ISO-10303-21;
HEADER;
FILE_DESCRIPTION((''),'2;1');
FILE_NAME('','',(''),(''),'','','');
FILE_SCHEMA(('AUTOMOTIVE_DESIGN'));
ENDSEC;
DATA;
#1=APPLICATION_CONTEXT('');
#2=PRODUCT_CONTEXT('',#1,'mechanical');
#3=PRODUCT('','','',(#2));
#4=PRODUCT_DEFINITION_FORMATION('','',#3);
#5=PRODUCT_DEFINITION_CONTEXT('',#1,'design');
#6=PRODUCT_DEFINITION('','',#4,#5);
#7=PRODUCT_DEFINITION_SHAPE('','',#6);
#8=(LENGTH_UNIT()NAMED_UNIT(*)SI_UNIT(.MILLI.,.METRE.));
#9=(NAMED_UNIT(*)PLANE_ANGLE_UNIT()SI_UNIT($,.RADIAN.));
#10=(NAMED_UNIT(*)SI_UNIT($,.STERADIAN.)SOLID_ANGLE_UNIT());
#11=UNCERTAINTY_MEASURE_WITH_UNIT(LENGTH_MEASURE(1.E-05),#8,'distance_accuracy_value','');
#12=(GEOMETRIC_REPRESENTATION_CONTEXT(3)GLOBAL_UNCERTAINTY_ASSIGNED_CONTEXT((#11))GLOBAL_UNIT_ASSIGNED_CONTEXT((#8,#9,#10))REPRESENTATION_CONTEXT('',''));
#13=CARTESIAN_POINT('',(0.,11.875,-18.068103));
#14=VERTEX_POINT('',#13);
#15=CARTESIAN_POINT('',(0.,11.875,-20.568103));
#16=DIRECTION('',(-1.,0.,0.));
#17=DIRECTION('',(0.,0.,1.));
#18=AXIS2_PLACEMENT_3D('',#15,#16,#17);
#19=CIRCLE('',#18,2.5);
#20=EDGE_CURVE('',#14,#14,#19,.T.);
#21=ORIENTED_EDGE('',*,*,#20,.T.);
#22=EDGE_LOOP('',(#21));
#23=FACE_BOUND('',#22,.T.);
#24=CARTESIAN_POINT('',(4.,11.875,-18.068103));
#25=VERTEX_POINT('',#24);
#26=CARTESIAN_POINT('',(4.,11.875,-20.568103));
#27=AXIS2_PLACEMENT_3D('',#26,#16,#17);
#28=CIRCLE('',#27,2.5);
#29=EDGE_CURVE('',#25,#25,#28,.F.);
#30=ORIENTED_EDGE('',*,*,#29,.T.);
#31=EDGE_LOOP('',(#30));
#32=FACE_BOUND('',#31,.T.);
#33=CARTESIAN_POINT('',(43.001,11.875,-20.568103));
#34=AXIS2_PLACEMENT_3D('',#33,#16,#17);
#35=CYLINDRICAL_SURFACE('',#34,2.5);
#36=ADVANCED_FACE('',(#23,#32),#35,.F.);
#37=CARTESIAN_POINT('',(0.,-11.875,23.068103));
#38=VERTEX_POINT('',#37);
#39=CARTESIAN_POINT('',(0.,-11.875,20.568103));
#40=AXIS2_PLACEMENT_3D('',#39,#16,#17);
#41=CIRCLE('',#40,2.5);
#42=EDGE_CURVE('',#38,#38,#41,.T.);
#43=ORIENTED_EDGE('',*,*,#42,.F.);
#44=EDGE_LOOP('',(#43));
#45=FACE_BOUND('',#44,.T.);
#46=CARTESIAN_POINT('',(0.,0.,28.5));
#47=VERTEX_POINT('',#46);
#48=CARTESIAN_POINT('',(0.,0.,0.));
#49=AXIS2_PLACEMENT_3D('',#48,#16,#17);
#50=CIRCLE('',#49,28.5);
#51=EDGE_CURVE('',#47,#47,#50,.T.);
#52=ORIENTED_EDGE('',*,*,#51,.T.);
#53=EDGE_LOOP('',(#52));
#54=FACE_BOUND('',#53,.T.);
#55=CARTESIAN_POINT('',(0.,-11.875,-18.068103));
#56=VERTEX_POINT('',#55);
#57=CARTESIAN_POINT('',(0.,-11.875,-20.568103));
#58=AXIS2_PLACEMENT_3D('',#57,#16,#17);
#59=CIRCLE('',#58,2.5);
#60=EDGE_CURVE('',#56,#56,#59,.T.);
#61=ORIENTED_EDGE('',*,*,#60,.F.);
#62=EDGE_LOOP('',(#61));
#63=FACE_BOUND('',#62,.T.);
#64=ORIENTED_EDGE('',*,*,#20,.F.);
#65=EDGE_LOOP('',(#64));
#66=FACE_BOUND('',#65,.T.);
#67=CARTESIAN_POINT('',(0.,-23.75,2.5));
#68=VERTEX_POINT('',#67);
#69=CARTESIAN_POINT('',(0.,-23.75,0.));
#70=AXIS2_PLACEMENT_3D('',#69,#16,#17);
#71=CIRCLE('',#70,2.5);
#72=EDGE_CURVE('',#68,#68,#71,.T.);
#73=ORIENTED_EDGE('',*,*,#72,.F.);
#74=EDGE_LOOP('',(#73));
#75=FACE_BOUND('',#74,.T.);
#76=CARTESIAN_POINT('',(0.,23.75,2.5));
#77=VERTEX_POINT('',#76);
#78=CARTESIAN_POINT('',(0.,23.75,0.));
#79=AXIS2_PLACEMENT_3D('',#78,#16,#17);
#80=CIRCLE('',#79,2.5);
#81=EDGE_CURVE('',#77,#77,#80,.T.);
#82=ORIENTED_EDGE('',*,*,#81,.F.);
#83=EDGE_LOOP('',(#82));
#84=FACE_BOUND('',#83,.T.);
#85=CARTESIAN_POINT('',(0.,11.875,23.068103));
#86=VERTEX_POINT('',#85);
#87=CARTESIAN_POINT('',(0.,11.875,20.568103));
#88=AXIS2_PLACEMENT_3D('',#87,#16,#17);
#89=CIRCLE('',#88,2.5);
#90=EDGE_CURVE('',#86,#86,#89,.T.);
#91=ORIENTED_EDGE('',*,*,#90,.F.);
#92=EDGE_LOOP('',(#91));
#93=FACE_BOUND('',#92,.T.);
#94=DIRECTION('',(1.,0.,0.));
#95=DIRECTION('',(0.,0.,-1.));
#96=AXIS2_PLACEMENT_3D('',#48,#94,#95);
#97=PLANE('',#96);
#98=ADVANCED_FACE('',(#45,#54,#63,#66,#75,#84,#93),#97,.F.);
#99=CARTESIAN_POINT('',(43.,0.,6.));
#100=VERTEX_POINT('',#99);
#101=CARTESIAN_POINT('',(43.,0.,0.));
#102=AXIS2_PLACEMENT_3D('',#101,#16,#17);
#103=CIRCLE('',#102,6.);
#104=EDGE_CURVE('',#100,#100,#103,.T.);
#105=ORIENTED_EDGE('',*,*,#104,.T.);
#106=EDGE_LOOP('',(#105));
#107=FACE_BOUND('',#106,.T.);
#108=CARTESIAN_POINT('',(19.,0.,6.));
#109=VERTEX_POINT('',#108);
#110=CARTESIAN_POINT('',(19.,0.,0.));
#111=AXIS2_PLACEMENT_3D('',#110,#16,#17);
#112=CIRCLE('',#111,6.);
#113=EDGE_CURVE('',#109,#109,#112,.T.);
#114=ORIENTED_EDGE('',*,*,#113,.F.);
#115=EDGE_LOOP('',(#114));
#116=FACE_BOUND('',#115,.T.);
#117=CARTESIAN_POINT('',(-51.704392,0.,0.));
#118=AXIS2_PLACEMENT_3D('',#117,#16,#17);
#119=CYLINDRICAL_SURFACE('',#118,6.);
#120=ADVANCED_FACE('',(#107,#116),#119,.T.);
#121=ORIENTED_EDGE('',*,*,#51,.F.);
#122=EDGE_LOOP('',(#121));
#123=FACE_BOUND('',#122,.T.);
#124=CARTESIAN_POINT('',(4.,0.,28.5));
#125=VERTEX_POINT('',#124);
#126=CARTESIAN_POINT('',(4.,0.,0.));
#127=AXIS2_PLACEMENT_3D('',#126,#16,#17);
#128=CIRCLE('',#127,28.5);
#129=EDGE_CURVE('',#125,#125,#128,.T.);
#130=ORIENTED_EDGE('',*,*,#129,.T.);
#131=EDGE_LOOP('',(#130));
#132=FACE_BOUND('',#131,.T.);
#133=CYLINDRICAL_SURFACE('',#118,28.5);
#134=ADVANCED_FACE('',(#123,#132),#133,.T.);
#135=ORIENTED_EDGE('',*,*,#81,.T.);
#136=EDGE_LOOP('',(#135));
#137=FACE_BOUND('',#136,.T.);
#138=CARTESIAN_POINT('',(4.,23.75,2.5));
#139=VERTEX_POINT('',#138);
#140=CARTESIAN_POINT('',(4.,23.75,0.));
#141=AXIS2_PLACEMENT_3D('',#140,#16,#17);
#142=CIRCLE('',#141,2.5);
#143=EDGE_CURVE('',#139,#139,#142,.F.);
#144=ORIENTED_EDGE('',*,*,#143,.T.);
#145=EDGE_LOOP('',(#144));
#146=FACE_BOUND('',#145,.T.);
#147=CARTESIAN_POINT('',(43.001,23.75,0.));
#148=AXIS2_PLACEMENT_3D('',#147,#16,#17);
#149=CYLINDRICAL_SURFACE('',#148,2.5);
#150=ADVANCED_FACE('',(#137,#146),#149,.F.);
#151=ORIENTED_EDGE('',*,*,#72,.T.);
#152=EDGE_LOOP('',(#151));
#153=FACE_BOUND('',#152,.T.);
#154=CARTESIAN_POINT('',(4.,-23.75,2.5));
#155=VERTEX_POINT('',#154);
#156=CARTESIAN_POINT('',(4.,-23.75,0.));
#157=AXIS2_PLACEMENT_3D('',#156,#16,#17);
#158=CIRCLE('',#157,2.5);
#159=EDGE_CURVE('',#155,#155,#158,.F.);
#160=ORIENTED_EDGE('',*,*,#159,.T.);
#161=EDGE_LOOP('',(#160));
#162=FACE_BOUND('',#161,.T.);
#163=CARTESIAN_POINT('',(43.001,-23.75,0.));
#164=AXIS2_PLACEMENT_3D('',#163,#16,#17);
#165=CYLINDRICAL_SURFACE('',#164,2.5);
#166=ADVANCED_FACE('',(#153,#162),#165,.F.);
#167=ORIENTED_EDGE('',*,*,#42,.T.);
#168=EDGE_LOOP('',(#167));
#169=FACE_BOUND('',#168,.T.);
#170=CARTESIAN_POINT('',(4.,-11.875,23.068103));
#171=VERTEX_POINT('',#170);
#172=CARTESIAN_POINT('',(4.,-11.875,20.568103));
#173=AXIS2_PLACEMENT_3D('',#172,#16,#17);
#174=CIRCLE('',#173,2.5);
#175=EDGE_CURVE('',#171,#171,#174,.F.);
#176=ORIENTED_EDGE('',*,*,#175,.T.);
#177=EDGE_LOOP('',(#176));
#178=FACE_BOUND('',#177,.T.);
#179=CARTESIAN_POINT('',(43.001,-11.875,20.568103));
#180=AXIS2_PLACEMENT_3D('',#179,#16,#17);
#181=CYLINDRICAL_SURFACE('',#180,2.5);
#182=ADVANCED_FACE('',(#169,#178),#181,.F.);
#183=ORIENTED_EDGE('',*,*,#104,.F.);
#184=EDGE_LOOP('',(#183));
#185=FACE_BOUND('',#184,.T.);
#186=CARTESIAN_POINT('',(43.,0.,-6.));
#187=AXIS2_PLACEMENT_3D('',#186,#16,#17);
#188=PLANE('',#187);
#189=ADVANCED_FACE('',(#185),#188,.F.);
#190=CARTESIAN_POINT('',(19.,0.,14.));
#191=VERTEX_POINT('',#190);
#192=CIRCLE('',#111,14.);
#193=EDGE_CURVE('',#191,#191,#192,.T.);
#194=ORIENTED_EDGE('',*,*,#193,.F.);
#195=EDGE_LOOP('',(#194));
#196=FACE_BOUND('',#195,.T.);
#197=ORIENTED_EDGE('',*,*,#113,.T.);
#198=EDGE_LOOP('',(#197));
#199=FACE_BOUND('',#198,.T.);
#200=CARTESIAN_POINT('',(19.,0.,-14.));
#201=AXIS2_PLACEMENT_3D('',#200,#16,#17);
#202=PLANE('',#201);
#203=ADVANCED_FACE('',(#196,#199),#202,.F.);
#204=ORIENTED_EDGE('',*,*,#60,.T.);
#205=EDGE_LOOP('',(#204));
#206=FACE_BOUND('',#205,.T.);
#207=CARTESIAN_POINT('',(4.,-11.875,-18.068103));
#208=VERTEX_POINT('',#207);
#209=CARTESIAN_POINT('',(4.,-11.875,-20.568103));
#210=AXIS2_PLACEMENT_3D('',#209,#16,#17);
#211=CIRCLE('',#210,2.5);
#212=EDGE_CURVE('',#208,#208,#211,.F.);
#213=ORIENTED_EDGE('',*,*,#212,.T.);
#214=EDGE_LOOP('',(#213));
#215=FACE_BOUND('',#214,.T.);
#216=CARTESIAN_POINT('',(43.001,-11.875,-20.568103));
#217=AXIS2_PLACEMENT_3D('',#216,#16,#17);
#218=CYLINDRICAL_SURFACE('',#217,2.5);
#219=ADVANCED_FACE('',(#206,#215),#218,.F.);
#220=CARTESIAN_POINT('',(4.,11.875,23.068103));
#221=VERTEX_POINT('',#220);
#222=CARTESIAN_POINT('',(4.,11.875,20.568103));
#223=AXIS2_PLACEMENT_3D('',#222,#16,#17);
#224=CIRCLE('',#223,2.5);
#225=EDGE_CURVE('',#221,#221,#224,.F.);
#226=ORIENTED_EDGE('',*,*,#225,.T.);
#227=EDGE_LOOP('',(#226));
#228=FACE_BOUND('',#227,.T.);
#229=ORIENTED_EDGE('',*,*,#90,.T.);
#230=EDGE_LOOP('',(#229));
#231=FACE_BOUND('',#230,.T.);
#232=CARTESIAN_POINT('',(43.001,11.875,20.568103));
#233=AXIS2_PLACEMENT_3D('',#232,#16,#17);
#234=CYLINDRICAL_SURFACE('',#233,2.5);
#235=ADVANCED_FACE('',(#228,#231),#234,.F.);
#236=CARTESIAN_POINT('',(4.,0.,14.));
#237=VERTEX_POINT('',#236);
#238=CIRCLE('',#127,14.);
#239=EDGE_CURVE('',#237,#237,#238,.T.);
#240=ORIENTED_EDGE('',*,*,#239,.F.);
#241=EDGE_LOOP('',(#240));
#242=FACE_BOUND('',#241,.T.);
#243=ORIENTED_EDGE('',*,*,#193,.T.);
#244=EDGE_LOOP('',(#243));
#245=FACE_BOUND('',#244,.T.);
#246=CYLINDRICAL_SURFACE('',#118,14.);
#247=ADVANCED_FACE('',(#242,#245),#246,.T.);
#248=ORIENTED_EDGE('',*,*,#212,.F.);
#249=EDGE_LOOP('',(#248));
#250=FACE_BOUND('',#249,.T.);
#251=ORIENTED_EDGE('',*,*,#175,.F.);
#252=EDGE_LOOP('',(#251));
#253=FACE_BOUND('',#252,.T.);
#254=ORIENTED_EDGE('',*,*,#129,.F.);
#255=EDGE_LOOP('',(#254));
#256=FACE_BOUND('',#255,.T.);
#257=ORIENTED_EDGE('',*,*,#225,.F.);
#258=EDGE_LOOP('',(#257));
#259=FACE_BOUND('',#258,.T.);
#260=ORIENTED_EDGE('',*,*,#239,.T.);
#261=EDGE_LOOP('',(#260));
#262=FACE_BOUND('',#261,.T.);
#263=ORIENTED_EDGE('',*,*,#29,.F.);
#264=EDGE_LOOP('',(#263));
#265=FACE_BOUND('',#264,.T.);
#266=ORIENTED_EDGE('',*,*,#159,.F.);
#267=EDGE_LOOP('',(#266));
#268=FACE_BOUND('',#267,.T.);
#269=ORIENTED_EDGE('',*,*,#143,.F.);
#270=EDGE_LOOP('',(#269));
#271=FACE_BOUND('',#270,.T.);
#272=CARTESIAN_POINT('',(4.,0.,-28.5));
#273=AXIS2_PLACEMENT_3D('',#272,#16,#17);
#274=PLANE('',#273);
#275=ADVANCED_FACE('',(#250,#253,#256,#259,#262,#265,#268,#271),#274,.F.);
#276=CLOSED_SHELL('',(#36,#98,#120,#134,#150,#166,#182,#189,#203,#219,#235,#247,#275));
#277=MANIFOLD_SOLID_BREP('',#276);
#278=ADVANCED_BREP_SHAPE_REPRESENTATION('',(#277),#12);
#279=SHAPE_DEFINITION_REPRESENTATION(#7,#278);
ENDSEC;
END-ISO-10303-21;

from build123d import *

# Parameters (mm, degrees)
CUT_EXTRUDE1_REACH = 60.936
SKETCH2_R          = 2.5


with BuildPart() as part:
    # Sketch1 → Revolve1 (revolve)
    with BuildSketch(Plane(origin=(0, 0, 0), x_dir=(1, 0, 0), z_dir=(0, 1, 0)), mode=Mode.PRIVATE) as revolve1_sk:
        Polygon((0, 0), (0, 28.5), (4, 28.5), (4, 14), (19, 14), (19, 6), (43, 6), (43, 0), align=None)
    revolve(revolve1_sk.sketch.rotate(Axis((-51.704391892, 0, 0), (1, 0, 0)), 180), axis=Axis((-51.704391892, 0, 0), (1, 0, 0)))

    # Sketch2 → Cut-Extrude1 (cut, up to next)
    with BuildSketch(Plane.ZY, mode=Mode.PRIVATE) as cut_extrude1_sk1:
        with Locations((0, 23.75)):
            Circle(SKETCH2_R)
    cut_extrude1_tool1 = extrude(cut_extrude1_sk1.sketch, amount=-CUT_EXTRUDE1_REACH, mode=Mode.PRIVATE) & part.part
    # Sketch2 → Cut-Extrude1 (cut, up to next)
    with BuildSketch(Plane.ZY, mode=Mode.PRIVATE) as cut_extrude1_sk2:
        with Locations((20.56810334, 11.875)):
            Circle(SKETCH2_R)
    cut_extrude1_tool2 = extrude(cut_extrude1_sk2.sketch, amount=-CUT_EXTRUDE1_REACH, mode=Mode.PRIVATE) & part.part
    # Sketch2 → Cut-Extrude1 (cut, up to next)
    with BuildSketch(Plane.ZY, mode=Mode.PRIVATE) as cut_extrude1_sk3:
        with Locations((20.56810334, -11.875)):
            Circle(SKETCH2_R)
    cut_extrude1_tool3 = extrude(cut_extrude1_sk3.sketch, amount=-CUT_EXTRUDE1_REACH, mode=Mode.PRIVATE) & part.part
    # Sketch2 → Cut-Extrude1 (cut, up to next)
    with BuildSketch(Plane.ZY, mode=Mode.PRIVATE) as cut_extrude1_sk4:
        with Locations((0, -23.75)):
            Circle(SKETCH2_R)
    cut_extrude1_tool4 = extrude(cut_extrude1_sk4.sketch, amount=-CUT_EXTRUDE1_REACH, mode=Mode.PRIVATE) & part.part
    # Sketch2 → Cut-Extrude1 (cut, up to next)
    with BuildSketch(Plane.ZY, mode=Mode.PRIVATE) as cut_extrude1_sk5:
        with Locations((-20.56810334, -11.875)):
            Circle(SKETCH2_R)
    cut_extrude1_tool5 = extrude(cut_extrude1_sk5.sketch, amount=-CUT_EXTRUDE1_REACH, mode=Mode.PRIVATE) & part.part
    # Sketch2 → Cut-Extrude1 (cut, up to next)
    with BuildSketch(Plane.ZY, mode=Mode.PRIVATE) as cut_extrude1_sk6:
        with Locations((-20.56810334, 11.875)):
            Circle(SKETCH2_R)
    cut_extrude1_tool6 = extrude(cut_extrude1_sk6.sketch, amount=-CUT_EXTRUDE1_REACH, mode=Mode.PRIVATE) & part.part
    add(cut_extrude1_tool1.solids().sort_by_distance((0, 23.75, 0))[0], mode=Mode.SUBTRACT)
    add(cut_extrude1_tool2.solids().sort_by_distance((0, 11.875, 20.568103))[0], mode=Mode.SUBTRACT)
    add(cut_extrude1_tool3.solids().sort_by_distance((0, -11.875, 20.568103))[0], mode=Mode.SUBTRACT)
    add(cut_extrude1_tool4.solids().sort_by_distance((0, -23.75, 0))[0], mode=Mode.SUBTRACT)
    add(cut_extrude1_tool5.solids().sort_by_distance((0, -11.875, -20.568103))[0], mode=Mode.SUBTRACT)
    add(cut_extrude1_tool6.solids().sort_by_distance((0, 11.875, -20.568103))[0], mode=Mode.SUBTRACT)


solid = part.part
